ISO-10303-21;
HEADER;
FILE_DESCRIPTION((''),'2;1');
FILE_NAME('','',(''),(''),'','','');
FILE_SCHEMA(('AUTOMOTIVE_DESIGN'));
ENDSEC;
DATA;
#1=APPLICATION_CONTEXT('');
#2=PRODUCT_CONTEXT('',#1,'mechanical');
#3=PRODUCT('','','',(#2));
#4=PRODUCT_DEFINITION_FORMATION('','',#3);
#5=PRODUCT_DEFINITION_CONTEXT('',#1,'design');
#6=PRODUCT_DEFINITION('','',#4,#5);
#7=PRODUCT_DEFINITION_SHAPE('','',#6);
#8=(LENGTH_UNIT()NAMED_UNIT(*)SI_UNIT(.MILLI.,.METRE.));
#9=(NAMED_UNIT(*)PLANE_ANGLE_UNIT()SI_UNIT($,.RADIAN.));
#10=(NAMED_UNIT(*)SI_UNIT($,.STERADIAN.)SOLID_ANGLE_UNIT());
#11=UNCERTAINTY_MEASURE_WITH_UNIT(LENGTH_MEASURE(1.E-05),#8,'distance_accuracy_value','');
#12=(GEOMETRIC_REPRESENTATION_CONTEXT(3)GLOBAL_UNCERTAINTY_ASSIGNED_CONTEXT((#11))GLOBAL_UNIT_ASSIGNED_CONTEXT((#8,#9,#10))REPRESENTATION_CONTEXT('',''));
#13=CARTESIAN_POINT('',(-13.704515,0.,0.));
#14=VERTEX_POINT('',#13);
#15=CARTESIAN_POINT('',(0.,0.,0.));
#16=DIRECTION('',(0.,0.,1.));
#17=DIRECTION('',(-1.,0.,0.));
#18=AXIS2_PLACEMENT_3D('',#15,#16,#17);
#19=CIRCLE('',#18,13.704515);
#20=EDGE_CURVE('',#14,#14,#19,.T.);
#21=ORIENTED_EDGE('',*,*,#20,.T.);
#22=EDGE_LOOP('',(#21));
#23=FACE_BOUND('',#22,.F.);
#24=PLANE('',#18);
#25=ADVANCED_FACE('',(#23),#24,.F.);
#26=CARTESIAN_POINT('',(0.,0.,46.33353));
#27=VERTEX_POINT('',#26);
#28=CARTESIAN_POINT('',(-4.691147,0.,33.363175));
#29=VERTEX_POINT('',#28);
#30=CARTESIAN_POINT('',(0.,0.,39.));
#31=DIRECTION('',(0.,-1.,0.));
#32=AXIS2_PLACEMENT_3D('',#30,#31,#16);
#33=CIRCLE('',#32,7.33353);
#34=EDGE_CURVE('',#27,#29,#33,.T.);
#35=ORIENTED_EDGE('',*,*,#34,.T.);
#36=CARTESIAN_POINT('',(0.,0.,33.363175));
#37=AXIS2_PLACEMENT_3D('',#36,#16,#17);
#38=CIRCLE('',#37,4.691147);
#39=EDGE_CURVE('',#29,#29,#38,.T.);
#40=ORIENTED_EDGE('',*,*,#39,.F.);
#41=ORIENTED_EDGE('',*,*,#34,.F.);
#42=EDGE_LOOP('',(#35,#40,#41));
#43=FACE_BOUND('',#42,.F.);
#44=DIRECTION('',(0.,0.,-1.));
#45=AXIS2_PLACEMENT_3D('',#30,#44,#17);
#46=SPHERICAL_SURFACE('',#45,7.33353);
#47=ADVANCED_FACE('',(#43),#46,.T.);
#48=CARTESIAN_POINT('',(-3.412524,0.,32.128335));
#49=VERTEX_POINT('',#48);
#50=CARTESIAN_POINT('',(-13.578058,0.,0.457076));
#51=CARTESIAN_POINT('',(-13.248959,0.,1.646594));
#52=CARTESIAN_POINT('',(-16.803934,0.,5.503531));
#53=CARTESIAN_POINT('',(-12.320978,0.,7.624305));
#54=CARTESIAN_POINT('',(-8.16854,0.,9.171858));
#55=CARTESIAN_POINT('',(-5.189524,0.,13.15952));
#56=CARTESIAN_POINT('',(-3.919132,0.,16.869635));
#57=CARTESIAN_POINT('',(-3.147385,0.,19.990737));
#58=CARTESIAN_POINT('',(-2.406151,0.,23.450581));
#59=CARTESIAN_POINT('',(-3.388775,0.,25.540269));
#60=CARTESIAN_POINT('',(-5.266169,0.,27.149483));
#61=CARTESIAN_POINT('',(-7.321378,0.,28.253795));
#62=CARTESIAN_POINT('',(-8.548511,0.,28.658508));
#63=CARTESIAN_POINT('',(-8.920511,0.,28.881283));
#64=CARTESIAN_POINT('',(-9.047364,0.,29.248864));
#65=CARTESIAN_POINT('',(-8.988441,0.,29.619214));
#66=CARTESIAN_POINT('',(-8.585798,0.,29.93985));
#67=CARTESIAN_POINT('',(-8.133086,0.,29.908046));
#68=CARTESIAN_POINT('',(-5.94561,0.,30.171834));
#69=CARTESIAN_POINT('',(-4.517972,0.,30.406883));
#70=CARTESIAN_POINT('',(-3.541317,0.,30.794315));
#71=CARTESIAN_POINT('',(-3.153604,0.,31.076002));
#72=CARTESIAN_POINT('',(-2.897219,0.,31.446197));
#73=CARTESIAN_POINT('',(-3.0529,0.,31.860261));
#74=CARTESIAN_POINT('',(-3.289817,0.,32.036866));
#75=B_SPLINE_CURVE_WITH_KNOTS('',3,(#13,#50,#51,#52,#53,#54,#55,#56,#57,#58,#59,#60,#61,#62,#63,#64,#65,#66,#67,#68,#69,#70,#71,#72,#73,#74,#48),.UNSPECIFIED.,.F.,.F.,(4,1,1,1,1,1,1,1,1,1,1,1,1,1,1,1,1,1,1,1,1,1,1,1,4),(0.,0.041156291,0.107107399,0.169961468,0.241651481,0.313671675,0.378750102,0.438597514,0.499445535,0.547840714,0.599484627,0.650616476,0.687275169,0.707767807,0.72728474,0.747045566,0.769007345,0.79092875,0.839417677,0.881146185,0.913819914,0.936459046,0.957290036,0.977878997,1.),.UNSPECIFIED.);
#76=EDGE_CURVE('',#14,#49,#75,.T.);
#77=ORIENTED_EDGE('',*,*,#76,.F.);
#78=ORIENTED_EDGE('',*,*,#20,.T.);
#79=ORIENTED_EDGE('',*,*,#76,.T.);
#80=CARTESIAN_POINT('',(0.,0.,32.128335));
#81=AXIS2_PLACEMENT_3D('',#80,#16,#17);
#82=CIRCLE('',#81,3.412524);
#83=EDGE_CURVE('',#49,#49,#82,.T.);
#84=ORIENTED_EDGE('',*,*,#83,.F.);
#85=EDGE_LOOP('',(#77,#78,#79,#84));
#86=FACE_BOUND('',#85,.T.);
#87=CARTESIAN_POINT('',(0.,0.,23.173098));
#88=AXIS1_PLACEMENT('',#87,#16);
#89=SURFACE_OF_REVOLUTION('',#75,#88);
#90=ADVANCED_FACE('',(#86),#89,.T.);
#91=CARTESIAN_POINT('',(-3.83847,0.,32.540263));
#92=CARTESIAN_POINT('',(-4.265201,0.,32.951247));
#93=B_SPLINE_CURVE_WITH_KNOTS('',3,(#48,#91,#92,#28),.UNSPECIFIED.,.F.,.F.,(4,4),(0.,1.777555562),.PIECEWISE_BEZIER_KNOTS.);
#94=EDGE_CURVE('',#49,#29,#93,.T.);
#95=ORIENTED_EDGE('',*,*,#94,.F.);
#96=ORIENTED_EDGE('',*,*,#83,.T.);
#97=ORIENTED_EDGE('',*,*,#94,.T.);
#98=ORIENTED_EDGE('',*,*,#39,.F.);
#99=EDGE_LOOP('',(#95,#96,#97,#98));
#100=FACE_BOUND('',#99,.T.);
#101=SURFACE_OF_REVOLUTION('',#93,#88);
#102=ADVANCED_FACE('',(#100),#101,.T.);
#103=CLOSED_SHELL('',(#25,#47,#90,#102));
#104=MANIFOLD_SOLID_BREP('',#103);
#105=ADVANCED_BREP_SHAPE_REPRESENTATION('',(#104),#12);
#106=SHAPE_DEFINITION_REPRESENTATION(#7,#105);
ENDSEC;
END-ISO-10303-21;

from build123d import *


with BuildPart() as f2:
    # F1 (on Front) → F2 (revolve)
    with BuildSketch(Plane.XZ):
        with BuildLine():
            Line((0, 0), (0, 46.3335300862))
            ThreePointArc((0, 46.3335300862), (-6.8963212218, 41.4942768756), (-4.6911471959, 33.3631745182))
            add(Edge.make_bspline(
                [(-3.412524363, 32.1283354899), (-3.838470258, 32.540262974), (-4.2652013009, 32.9512470341), (-4.6911471959, 33.3631745182)],
                knots=[0, 0, 0, 0, 1.7775555617, 1.7775555617, 1.7775555617, 1.7775555617], degree=3))
            add(Edge.make_bspline(
                [(-13.7045149625, 0), (-13.5780578491, 0.4570755621), (-13.2489588905, 1.6465941859), (-16.8039340078, 5.5035310533), (-12.3209784387, 7.6243053112), (-8.1685399642, 9.171858407), (-5.1895242193, 13.1595199936), (-3.919131971, 16.8696351399), (-3.1473851401, 19.9907372258), (-2.4061505927, 23.4505808099), (-3.3887754576, 25.5402685911), (-5.2661691267, 27.1494828273), (-7.3213779347, 28.2537950118), (-8.5485109819, 28.6585075296), (-8.9205105211, 28.8812825425), (-9.0473642938, 29.2488642762), (-8.9884411743, 29.6192138985), (-8.5857980164, 29.9398498617), (-8.1330863126, 29.9080464981), (-5.9456097906, 30.1718341166), (-4.5179721571, 30.4068829839), (-3.5413166607, 30.7943146915), (-3.1536038452, 31.0760019173), (-2.8972185126, 31.4461974929), (-3.0528998111, 31.8602606427), (-3.2898167102, 32.0368655525), (-3.412524363, 32.1283354899)],
                knots=[0, 0, 0, 0, 0.0411562909, 0.1071073987, 0.1699614683, 0.241651481, 0.313671675, 0.3787501021, 0.4385975137, 0.4994455349, 0.547840714, 0.5994846267, 0.6506164765, 0.6872751687, 0.7077678068, 0.7272847404, 0.7470455664, 0.7690073454, 0.7909287497, 0.8394176773, 0.8811461845, 0.913819914, 0.9364590461, 0.9572900364, 0.9778789972, 1, 1, 1, 1], degree=3))
            Line((-13.7045149625, 0), (0, 0))
        make_face()
    revolve(axis=Axis((0, 0, 23.1730977539), (0, 0, 1)))


solid = f2.part
